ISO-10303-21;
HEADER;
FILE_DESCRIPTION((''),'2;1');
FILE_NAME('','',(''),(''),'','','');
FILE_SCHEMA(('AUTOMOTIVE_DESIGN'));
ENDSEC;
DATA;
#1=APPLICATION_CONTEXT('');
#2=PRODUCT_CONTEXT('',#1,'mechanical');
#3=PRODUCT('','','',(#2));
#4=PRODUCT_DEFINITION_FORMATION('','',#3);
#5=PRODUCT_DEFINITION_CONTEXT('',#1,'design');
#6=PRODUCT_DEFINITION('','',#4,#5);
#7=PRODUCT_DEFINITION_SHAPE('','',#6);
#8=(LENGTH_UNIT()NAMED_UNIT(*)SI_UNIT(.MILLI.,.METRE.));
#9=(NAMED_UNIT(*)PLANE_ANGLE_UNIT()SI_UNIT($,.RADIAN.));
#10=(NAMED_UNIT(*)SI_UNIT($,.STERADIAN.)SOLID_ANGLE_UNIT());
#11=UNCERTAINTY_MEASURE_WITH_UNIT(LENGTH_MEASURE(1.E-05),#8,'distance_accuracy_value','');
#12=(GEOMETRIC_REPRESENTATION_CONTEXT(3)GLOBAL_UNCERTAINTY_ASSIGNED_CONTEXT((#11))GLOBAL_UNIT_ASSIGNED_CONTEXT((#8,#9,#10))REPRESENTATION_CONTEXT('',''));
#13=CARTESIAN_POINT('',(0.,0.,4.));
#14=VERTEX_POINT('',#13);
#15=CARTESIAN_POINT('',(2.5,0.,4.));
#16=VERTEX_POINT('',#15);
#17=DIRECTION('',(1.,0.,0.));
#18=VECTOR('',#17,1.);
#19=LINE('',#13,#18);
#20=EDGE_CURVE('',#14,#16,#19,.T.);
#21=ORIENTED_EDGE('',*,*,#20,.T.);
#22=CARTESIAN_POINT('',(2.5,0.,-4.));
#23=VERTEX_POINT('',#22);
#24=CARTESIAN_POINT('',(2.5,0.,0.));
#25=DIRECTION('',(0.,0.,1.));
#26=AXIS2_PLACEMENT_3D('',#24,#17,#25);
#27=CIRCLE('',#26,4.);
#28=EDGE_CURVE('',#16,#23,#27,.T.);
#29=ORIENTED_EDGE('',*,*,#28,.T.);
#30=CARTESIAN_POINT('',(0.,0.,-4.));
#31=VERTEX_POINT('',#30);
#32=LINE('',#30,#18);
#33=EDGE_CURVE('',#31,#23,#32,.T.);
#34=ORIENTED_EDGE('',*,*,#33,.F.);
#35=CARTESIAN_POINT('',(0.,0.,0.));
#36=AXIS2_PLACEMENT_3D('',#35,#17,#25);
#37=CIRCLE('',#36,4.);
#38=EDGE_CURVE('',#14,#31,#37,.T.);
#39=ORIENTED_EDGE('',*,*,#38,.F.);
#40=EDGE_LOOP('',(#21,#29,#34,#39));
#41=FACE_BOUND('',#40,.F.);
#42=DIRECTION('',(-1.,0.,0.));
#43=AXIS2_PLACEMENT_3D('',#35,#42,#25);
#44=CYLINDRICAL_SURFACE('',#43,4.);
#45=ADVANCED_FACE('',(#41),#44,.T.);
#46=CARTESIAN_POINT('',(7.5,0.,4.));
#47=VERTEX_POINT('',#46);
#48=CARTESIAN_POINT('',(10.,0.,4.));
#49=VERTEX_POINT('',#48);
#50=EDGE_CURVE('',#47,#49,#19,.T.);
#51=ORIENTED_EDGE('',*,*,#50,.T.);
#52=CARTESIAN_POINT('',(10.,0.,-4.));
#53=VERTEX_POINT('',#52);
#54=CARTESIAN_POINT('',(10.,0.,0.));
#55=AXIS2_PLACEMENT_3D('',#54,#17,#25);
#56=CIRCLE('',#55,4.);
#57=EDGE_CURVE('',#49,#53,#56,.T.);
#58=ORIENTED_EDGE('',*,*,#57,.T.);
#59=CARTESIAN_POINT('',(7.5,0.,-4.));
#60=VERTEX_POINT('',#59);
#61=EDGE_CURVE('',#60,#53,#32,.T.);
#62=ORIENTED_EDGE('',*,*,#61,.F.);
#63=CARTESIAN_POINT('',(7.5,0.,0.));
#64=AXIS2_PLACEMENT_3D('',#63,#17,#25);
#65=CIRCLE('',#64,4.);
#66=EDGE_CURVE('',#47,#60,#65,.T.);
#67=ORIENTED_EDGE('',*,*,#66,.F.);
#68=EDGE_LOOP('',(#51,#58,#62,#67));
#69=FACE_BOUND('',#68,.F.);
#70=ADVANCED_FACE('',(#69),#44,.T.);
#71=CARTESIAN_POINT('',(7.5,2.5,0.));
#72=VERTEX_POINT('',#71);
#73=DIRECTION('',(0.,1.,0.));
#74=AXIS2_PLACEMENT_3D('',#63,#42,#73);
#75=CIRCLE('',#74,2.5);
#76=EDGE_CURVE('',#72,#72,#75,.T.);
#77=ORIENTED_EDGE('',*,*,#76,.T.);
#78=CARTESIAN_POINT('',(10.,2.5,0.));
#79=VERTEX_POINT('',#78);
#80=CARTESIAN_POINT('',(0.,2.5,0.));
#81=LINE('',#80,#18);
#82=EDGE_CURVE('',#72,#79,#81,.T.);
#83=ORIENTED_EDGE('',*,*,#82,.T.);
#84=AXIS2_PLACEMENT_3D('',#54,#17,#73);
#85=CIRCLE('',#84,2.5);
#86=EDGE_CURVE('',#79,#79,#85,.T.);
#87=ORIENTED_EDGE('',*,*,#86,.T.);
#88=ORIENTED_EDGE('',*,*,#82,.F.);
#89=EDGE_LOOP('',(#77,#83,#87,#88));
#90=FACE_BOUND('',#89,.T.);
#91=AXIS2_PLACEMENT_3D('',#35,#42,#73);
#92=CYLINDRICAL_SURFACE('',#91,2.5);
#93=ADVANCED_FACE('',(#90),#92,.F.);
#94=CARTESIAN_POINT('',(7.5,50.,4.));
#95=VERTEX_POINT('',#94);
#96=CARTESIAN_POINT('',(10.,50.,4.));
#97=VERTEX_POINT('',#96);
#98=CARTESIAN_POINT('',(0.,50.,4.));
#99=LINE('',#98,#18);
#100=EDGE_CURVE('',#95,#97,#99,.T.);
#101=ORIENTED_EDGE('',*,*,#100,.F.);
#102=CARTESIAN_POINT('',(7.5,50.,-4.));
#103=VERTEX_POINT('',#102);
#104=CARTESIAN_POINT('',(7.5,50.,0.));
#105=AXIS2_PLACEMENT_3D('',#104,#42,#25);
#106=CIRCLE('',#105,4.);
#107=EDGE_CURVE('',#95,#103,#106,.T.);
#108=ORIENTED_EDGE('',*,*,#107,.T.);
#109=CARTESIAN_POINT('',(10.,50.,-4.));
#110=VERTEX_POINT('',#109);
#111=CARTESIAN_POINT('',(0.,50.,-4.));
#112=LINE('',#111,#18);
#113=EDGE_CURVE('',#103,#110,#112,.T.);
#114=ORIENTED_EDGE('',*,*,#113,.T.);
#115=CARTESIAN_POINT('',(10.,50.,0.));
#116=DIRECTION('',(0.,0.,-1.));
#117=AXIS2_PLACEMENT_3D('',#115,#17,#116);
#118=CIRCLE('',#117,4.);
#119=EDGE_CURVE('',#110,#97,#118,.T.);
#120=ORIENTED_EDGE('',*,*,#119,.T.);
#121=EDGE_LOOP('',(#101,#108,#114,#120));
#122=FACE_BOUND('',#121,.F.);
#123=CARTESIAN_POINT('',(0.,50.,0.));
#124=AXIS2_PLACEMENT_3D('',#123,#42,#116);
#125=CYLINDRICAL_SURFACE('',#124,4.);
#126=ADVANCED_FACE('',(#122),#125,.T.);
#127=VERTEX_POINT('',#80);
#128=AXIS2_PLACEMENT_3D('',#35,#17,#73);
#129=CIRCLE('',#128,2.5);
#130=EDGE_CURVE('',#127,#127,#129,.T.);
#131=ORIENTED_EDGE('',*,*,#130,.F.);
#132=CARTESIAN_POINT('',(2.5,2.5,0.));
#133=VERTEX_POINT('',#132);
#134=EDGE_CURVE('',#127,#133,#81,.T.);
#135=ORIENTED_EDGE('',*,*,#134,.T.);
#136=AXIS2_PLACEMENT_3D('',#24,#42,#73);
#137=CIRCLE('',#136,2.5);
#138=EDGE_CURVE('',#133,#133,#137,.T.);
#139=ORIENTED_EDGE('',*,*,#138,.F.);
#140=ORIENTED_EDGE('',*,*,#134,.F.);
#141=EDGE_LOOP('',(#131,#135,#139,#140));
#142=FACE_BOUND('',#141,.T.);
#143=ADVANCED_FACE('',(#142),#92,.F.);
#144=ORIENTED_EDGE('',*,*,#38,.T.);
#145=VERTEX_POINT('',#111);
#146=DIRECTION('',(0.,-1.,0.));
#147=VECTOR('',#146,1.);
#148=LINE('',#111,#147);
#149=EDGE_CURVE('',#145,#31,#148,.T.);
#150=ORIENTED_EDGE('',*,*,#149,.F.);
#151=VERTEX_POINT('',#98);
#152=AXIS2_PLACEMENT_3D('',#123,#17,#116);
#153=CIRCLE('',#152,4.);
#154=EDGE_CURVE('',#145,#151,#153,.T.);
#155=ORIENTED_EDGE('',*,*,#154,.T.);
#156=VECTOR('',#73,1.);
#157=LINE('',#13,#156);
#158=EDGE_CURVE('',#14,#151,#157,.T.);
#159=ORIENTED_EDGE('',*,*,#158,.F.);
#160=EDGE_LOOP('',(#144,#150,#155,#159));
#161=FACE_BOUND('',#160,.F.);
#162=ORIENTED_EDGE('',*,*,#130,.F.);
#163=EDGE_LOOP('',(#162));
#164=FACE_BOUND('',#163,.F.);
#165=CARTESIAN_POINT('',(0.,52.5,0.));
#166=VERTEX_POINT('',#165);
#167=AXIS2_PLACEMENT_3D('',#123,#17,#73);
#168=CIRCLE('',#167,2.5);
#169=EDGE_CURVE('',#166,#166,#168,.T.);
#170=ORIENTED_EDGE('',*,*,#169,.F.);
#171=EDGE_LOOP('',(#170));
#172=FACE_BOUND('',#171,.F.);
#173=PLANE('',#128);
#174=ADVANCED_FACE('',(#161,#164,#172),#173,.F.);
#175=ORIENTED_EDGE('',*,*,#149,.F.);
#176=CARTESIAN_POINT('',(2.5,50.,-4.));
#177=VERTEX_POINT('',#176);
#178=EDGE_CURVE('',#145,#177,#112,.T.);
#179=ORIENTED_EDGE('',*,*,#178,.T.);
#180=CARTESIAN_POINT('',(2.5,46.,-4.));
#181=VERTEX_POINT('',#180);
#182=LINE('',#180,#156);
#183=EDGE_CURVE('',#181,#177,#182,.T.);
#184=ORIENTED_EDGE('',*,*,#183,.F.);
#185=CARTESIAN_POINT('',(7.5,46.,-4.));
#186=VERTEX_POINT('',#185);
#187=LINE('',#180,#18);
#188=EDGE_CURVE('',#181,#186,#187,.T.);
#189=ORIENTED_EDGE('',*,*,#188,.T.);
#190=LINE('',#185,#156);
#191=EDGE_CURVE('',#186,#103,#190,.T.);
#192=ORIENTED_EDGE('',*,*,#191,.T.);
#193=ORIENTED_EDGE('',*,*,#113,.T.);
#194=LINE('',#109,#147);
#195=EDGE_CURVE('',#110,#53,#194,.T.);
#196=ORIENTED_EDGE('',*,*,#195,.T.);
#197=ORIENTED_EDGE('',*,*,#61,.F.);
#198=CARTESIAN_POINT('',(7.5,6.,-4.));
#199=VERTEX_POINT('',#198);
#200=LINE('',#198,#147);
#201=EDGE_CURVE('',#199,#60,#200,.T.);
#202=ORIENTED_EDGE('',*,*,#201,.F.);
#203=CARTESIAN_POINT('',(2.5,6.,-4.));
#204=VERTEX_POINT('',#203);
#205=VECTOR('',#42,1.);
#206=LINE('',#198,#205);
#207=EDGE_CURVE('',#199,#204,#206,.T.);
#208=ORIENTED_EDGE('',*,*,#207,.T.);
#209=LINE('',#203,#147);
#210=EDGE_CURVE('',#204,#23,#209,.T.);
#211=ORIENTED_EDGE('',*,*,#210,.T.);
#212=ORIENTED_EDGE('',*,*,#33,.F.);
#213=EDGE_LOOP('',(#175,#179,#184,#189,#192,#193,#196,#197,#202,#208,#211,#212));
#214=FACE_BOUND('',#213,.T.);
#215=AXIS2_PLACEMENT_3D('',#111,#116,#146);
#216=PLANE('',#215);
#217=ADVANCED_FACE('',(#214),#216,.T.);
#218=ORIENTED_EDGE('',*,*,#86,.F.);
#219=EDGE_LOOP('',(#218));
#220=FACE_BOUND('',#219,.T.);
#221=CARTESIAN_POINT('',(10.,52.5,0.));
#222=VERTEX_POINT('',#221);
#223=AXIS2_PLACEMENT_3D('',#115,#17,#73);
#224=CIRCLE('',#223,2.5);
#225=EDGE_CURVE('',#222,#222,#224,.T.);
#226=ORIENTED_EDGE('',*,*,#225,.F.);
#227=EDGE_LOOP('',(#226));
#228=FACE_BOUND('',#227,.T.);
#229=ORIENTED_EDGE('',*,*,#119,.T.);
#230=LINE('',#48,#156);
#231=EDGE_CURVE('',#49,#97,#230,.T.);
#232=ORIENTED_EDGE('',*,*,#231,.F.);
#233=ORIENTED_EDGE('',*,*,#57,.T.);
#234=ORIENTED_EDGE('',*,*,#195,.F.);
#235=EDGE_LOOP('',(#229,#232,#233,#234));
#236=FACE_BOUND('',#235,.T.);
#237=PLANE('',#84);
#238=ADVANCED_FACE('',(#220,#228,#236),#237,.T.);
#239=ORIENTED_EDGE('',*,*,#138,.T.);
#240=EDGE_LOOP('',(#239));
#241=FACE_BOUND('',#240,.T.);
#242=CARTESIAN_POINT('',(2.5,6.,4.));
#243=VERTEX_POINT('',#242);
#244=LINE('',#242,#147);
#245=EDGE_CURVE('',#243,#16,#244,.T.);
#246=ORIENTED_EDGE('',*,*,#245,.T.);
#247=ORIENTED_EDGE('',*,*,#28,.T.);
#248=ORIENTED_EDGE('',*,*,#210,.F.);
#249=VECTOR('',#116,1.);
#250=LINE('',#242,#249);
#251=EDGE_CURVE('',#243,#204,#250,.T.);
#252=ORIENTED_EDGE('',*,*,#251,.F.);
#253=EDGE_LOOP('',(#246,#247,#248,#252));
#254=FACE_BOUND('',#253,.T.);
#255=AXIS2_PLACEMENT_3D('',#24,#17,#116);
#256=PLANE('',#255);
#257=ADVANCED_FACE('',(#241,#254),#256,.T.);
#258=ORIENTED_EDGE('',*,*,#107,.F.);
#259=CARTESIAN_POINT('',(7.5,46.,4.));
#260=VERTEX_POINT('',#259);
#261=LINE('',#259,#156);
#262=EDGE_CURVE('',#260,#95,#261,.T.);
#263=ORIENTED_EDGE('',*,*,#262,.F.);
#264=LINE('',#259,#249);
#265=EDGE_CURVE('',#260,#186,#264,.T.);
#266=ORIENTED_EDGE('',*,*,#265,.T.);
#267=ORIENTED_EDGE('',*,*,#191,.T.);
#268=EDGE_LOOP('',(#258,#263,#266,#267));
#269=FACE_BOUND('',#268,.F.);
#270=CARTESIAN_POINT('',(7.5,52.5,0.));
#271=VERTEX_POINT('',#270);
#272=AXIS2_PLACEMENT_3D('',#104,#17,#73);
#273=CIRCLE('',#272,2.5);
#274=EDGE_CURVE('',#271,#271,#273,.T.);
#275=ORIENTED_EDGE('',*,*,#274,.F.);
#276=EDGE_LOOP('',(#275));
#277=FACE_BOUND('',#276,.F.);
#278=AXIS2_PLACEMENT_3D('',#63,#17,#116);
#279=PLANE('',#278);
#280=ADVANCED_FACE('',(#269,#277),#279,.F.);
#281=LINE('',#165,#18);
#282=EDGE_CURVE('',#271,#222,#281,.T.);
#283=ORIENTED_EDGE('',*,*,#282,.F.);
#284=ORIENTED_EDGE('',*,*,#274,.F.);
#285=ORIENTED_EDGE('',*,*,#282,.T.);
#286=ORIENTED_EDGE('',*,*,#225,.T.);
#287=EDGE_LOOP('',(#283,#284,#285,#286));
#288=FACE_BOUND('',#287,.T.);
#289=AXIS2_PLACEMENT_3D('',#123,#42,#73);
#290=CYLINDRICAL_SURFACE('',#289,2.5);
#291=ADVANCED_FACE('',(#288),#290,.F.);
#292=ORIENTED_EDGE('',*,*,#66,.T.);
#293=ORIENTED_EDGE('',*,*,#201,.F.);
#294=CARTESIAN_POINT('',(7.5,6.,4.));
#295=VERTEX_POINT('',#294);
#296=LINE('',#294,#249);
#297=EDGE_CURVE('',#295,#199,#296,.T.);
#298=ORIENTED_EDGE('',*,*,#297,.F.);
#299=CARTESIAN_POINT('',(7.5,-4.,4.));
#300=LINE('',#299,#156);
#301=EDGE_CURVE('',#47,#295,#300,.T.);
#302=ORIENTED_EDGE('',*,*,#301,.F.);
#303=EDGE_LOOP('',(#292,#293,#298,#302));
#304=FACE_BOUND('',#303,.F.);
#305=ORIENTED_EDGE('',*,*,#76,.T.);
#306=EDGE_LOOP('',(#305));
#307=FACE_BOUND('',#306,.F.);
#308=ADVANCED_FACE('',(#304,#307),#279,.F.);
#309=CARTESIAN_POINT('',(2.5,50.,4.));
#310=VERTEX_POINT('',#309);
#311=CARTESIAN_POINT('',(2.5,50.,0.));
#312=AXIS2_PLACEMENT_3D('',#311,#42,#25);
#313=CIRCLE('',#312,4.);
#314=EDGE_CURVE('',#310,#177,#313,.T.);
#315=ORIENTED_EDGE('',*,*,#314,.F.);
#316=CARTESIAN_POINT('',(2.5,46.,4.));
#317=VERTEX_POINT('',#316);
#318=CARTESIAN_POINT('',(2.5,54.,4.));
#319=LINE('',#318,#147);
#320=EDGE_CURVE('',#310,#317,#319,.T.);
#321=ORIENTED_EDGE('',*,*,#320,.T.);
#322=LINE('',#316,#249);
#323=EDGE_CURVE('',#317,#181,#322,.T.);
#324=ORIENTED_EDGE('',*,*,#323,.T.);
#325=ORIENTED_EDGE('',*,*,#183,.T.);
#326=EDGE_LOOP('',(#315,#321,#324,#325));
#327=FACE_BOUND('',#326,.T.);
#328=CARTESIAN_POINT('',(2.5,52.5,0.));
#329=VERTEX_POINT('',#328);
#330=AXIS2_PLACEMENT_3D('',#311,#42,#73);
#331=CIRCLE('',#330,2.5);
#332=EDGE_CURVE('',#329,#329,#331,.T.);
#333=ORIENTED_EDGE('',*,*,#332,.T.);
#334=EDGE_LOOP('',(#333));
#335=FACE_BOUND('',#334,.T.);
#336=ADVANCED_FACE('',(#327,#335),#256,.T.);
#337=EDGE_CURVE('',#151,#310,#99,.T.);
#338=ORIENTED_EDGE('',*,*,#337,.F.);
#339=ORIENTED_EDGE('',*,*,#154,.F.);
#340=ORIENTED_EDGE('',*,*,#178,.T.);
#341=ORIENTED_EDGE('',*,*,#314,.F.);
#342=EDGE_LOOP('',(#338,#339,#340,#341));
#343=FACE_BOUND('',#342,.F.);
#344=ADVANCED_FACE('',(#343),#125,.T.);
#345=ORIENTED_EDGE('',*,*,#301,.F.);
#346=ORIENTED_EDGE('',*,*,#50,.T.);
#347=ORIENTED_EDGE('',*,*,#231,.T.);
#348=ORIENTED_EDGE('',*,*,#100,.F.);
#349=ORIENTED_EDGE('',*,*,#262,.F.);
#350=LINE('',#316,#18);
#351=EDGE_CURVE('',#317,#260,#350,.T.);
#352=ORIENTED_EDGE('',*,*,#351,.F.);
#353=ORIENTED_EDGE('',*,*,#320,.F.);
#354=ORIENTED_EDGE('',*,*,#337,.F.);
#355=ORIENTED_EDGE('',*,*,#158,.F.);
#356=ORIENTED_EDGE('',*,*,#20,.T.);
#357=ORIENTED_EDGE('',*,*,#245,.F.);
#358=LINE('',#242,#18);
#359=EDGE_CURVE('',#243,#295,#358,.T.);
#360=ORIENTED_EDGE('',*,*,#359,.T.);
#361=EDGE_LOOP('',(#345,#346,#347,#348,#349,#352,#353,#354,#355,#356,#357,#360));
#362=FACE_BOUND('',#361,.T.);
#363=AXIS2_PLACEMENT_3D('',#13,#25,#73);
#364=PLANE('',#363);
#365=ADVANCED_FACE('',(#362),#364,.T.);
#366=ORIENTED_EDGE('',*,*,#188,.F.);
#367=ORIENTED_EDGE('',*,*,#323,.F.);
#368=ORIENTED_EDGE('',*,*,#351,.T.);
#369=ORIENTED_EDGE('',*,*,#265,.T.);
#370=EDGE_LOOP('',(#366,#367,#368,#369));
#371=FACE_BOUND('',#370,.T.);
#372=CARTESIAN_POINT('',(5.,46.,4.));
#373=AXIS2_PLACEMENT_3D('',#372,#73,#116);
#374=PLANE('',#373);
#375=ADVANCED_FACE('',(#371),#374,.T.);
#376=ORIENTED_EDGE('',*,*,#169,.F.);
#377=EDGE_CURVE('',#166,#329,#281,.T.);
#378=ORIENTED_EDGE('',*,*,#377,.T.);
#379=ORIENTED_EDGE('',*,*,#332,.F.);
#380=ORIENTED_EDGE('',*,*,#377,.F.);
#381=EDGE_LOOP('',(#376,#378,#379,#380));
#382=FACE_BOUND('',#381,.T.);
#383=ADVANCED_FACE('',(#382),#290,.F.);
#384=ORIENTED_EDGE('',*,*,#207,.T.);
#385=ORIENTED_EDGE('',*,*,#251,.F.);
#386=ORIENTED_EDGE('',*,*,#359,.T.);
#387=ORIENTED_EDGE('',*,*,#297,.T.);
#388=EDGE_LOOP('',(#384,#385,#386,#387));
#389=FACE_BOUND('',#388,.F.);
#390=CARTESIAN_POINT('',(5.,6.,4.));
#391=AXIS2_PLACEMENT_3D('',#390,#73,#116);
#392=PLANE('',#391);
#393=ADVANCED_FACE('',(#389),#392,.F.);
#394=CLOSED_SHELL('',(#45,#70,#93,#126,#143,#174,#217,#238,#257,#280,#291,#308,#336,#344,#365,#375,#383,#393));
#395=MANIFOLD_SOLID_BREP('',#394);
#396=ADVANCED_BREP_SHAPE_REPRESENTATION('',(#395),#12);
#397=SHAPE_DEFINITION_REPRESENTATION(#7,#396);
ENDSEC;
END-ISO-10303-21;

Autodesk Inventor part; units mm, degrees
ref_plane "YZ Plane" through (0, 0, 0) normal (1, 0, 0) x (0, 1, 0)
ref_plane "XZ Plane" through (0, 0, 0) normal (0, 1, 0) x (-1, 0, 0)
ref_plane "XY Plane" through (0, 0, 0) normal (0, 0, 1) x (1, 0, 0)
sketch "Sketch1" plane through (0, 0, 0) normal (1, 0, 0) x (0, 1, 0)
  circle A0 centre (0, 0) radius 2.5
  arc A1 (0, 4) -> (0, -4) centre (0, 0) ccw
  line L0 (0, 4) -> (50, 4)
  line L1 (50, -4) -> (0, -4)
  arc A2 (50, -4) -> (50, 4) centre (50, 0) ccw
  circle A3 centre (50, 0) radius 2.5
  dimension "d0" = 5
  dimension "d1" = 8
  dimension "d3" = 50
  dimension "d5" = 5
  dimension "d26" = 4
extrude "Extrusion1" add sketch "Sketch1" along normal blind 10
ref_plane "Work Plane1" through (5, 0, 0) normal (1, 0, 0) x (0, 0, -1)
sketch "Sketch6" plane through (5, 0, 0) normal (1, 0, 0) x (0, 0, -1)
  line L0 (-4, 50) -> (-4, 0) projected
  line L1 (-4, 6) -> (4, 6)
  line L2 (4, 6) -> (4, -4)
  line L3 (4, -4) -> (-4, -4)
  line L4 (-4, -4) -> (-4, 6)
  line L5 (-4, 46) -> (4, 46)
  line L6 (4, 46) -> (4, 54)
  line L7 (4, 54) -> (-4, 54)
  line L8 (-4, 54) -> (-4, 46)
  circle A0 centre (0, 50) radius 2.5 projected
  point P0 (0, 0)
  dimension "d32" = 8
  dimension "d33" = 10
  dimension "d34" = 4
  dimension "d35" = 8
  dimension "d36" = 8
  dimension "d37" = 4
  dimension "d38" = 4
extrude "Extrusion5" cut sketch "Sketch6" along normal mid plane 5
equation "\"d5\" = d0"
equation "\"d26\" = 0.5 * d1"
equation "\"d34\" = 0.5 * d32"
equation "\"d35\" = d32"
equation "\"d36\" = d32"
equation "\"d37\" = 0.5 * d32"
equation "\"d38\" = 0.5 * d32"
properties part number "ArmSpan"
